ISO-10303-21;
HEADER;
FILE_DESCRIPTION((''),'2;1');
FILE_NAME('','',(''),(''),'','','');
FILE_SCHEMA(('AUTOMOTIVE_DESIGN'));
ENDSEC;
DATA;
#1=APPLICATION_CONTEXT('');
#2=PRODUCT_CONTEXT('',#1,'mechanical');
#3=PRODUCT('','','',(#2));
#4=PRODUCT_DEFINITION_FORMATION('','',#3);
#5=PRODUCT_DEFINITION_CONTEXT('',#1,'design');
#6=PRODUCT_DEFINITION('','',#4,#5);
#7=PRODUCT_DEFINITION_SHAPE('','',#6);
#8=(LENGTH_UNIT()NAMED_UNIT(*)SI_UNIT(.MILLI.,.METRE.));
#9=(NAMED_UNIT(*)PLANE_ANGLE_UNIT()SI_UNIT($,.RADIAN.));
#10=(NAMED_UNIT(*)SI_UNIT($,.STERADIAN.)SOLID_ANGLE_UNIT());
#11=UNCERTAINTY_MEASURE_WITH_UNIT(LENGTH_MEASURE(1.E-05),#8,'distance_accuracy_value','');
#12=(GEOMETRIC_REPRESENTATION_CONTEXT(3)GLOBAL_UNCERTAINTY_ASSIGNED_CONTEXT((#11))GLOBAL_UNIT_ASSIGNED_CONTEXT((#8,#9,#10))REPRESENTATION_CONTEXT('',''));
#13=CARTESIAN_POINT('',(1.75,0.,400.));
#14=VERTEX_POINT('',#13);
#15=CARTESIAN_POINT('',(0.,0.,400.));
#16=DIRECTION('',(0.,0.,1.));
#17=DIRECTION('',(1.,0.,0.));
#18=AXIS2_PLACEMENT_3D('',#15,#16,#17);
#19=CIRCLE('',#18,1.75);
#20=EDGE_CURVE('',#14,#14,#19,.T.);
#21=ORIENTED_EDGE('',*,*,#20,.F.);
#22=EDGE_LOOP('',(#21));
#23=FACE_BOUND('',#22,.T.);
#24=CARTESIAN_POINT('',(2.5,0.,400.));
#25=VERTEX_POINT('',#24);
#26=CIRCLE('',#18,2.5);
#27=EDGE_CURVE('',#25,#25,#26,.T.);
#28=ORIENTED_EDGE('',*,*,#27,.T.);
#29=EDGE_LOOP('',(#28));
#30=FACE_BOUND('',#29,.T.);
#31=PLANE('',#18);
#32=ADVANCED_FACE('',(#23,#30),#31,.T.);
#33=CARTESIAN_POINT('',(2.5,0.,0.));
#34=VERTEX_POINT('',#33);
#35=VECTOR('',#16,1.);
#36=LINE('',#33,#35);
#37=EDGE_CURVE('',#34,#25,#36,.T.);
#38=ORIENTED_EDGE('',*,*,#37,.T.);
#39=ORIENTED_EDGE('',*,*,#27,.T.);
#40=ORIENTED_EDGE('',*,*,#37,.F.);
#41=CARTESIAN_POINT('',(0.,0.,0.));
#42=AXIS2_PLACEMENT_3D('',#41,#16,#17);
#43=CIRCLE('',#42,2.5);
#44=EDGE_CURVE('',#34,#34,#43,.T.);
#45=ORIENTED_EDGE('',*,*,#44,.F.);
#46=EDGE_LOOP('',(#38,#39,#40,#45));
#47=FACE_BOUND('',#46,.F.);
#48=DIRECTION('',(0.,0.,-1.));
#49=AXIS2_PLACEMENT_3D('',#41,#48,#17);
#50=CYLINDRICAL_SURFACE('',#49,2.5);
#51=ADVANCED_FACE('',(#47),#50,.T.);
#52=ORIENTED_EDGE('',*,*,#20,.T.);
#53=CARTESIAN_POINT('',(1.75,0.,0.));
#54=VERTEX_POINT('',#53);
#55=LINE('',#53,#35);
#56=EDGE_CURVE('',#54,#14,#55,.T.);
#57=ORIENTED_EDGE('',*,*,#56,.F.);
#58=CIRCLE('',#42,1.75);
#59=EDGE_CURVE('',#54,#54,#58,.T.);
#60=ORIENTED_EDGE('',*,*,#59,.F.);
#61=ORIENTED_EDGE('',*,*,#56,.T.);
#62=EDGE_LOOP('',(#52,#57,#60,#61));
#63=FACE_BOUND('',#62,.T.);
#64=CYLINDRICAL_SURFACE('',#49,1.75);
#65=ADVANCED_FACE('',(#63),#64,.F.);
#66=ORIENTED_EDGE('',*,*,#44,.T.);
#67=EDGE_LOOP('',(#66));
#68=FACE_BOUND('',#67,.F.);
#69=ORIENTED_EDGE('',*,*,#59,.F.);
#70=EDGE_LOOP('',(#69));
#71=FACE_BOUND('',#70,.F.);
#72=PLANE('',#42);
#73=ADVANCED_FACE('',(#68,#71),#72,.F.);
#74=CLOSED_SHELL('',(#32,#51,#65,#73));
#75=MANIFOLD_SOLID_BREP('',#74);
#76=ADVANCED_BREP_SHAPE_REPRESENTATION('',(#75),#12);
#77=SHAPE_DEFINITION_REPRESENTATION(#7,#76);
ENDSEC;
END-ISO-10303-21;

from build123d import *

# Parameters (mm, degrees)
SKETCH_R   = 2.5
SKETCH_R_2 = 1.75
PAD_DEPTH  = 400


with BuildPart() as part:
    # Sketch → Pad (new body)
    with BuildSketch(Plane.XY):
        Circle(SKETCH_R)
        Circle(SKETCH_R_2, mode=Mode.SUBTRACT)
    extrude(amount=PAD_DEPTH)


solid = part.part
